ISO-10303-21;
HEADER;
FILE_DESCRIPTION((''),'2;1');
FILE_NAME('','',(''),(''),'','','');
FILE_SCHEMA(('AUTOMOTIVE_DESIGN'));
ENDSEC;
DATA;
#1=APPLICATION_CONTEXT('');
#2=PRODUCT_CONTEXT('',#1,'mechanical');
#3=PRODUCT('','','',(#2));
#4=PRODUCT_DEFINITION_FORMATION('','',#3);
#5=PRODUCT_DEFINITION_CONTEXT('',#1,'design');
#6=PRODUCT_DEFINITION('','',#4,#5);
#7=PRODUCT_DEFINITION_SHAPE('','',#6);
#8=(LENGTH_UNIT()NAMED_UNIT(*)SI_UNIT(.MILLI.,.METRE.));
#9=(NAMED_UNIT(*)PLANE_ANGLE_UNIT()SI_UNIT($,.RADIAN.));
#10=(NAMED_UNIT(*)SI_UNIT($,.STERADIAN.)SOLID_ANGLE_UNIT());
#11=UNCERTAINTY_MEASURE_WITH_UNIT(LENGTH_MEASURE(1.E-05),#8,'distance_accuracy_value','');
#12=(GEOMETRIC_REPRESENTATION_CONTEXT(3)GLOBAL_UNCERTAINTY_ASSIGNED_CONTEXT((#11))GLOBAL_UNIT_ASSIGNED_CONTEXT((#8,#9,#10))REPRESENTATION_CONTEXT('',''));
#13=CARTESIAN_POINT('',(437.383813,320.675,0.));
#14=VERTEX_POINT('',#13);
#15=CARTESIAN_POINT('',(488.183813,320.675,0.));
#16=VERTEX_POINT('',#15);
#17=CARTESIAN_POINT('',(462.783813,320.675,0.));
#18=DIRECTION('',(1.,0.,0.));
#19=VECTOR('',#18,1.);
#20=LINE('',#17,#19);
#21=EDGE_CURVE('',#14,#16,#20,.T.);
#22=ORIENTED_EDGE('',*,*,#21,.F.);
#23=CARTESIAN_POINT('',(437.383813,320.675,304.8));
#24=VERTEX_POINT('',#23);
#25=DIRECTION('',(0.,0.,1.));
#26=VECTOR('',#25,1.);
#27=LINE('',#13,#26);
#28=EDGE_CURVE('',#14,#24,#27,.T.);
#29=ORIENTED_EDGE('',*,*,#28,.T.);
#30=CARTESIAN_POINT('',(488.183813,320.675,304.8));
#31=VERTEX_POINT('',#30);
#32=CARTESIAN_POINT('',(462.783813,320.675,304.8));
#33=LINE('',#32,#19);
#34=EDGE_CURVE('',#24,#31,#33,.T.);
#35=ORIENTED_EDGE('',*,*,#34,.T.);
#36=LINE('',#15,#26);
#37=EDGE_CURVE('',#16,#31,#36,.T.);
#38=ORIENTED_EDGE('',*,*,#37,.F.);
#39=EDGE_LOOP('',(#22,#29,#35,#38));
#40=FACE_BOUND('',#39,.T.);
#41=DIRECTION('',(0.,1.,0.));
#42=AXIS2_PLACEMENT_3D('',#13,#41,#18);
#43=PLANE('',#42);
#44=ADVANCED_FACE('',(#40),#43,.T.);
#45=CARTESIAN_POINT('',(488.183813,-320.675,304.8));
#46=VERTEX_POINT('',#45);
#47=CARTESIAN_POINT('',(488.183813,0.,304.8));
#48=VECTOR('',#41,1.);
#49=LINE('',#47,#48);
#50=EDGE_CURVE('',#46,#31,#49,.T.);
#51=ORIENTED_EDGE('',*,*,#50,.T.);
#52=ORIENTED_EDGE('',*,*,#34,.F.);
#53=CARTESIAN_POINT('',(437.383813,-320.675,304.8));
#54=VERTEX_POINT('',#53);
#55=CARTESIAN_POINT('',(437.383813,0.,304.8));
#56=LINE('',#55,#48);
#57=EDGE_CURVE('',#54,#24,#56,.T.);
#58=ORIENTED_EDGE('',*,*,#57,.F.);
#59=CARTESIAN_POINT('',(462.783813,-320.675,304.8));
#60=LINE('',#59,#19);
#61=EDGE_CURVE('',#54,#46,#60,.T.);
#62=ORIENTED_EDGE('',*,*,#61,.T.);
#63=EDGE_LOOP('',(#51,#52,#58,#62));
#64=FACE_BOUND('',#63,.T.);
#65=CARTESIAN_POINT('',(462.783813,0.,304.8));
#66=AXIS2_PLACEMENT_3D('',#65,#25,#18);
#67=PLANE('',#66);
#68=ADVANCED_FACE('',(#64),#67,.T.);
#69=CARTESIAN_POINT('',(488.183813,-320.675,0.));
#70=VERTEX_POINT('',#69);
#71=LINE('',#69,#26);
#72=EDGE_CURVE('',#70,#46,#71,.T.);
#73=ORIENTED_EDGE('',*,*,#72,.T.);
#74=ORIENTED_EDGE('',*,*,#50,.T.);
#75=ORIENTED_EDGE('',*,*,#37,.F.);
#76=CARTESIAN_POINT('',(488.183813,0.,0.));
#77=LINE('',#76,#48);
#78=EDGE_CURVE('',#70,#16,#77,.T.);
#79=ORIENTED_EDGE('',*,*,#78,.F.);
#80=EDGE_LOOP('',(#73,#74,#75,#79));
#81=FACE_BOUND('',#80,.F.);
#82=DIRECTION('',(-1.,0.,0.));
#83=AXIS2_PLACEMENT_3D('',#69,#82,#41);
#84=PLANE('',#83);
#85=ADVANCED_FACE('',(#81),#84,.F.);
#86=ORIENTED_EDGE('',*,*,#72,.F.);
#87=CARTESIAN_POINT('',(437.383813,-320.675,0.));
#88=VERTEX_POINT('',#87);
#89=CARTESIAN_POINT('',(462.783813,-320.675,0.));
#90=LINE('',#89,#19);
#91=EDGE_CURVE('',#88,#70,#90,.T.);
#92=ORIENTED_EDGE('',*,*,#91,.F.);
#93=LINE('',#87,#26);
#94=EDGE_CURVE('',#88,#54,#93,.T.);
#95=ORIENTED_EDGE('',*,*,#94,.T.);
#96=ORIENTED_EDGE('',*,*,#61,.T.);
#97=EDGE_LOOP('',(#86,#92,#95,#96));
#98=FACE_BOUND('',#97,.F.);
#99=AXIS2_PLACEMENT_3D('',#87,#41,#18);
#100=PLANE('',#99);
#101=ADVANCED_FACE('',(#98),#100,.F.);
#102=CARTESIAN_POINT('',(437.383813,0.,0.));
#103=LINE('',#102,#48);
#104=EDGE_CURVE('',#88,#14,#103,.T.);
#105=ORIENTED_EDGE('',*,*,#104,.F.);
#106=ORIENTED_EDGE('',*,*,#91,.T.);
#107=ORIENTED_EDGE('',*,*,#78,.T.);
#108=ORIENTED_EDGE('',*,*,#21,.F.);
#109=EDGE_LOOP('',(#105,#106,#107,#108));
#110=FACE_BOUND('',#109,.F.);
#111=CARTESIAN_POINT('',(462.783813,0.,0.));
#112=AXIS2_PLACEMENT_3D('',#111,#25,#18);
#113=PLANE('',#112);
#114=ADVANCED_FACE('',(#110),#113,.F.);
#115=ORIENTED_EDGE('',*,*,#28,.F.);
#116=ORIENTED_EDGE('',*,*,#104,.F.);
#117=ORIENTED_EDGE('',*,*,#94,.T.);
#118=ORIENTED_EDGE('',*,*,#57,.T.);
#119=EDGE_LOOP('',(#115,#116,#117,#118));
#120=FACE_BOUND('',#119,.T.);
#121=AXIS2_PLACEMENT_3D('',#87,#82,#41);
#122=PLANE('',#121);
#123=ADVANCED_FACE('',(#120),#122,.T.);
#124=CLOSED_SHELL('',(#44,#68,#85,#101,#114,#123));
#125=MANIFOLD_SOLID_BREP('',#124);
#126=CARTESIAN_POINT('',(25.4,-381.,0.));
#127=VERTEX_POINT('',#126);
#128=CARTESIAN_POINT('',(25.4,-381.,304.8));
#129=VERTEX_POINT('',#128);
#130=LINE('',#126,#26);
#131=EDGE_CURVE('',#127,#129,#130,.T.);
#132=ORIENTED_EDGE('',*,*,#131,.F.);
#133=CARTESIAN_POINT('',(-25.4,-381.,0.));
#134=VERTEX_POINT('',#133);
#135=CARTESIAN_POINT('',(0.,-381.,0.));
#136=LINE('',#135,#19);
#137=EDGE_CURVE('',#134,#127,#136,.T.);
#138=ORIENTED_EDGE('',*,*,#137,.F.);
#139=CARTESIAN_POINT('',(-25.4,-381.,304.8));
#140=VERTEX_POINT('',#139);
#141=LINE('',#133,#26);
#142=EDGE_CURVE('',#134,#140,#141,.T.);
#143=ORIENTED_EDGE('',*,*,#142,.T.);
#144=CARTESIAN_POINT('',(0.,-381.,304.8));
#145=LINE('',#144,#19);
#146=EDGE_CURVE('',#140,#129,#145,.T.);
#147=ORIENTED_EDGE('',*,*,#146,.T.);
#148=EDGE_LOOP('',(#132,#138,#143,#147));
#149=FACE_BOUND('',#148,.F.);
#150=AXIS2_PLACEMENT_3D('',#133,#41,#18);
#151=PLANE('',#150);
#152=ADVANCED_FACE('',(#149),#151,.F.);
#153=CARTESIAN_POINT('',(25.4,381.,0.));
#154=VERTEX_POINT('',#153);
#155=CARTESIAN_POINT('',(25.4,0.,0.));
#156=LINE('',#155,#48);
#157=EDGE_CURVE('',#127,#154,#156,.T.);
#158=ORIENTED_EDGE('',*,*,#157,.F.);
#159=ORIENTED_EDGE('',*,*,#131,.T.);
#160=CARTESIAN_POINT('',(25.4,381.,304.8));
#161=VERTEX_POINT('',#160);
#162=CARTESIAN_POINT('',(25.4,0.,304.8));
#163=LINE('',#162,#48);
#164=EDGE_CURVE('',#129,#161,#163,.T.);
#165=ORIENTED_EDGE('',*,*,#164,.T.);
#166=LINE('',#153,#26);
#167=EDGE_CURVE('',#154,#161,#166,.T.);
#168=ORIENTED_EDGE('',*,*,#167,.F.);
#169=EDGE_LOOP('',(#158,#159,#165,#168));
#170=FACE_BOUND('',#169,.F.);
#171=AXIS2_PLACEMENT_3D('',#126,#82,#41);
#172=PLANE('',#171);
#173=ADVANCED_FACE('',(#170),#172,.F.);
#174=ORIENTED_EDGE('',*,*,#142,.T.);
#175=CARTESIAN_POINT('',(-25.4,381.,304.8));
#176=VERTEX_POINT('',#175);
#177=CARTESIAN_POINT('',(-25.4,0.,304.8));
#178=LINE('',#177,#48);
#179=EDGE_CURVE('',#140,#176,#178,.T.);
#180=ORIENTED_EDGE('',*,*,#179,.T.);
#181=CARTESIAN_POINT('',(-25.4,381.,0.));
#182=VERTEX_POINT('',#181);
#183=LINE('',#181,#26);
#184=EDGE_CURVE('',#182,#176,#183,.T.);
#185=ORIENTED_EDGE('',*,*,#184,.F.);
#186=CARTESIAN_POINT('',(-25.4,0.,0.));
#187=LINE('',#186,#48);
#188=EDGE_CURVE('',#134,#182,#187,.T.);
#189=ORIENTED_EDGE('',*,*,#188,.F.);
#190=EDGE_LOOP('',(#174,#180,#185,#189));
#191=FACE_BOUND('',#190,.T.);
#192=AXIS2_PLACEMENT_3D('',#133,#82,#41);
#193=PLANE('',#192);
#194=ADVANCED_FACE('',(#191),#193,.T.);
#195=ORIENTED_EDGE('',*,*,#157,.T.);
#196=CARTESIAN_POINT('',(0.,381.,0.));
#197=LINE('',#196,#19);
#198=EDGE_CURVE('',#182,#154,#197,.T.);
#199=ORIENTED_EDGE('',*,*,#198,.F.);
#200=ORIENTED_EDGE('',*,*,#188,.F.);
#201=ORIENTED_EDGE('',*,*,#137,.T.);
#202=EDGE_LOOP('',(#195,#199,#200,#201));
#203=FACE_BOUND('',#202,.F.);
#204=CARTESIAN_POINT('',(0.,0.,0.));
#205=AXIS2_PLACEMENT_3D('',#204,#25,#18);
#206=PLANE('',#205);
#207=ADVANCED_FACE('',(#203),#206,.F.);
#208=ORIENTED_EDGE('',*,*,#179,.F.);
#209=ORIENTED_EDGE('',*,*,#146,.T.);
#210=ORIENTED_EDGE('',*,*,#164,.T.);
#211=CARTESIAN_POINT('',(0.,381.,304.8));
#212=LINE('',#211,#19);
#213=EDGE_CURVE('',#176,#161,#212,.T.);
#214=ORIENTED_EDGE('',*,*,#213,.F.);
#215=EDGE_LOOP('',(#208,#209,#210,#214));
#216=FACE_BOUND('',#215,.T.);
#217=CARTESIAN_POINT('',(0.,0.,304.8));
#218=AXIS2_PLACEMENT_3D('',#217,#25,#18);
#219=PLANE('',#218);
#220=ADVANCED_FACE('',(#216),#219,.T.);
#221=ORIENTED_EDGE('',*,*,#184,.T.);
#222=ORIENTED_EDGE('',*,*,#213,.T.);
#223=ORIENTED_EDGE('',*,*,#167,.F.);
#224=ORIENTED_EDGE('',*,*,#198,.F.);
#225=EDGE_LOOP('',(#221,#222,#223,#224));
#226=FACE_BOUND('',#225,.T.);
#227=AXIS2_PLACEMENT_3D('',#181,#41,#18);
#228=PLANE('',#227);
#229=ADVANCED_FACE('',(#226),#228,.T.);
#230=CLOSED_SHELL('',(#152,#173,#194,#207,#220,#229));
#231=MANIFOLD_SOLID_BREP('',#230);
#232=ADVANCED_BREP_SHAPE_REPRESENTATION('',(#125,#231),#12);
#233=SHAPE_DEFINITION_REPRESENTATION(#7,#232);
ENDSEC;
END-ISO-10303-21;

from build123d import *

# Parameters (mm, degrees)
F0_W     = 50.8
F0_H     = 762
F0_H_2   = 641.35
F1_DEPTH = 304.8


with BuildPart() as f1:
    # F0 (on Top) → F1 (new body)
    with BuildSketch(Plane.XY):
        Rectangle(F0_W, F0_H)
        with Locations((462.783813, 0)):
            Rectangle(F0_W, F0_H_2)
    extrude(amount=F1_DEPTH)


solid = f1.part
